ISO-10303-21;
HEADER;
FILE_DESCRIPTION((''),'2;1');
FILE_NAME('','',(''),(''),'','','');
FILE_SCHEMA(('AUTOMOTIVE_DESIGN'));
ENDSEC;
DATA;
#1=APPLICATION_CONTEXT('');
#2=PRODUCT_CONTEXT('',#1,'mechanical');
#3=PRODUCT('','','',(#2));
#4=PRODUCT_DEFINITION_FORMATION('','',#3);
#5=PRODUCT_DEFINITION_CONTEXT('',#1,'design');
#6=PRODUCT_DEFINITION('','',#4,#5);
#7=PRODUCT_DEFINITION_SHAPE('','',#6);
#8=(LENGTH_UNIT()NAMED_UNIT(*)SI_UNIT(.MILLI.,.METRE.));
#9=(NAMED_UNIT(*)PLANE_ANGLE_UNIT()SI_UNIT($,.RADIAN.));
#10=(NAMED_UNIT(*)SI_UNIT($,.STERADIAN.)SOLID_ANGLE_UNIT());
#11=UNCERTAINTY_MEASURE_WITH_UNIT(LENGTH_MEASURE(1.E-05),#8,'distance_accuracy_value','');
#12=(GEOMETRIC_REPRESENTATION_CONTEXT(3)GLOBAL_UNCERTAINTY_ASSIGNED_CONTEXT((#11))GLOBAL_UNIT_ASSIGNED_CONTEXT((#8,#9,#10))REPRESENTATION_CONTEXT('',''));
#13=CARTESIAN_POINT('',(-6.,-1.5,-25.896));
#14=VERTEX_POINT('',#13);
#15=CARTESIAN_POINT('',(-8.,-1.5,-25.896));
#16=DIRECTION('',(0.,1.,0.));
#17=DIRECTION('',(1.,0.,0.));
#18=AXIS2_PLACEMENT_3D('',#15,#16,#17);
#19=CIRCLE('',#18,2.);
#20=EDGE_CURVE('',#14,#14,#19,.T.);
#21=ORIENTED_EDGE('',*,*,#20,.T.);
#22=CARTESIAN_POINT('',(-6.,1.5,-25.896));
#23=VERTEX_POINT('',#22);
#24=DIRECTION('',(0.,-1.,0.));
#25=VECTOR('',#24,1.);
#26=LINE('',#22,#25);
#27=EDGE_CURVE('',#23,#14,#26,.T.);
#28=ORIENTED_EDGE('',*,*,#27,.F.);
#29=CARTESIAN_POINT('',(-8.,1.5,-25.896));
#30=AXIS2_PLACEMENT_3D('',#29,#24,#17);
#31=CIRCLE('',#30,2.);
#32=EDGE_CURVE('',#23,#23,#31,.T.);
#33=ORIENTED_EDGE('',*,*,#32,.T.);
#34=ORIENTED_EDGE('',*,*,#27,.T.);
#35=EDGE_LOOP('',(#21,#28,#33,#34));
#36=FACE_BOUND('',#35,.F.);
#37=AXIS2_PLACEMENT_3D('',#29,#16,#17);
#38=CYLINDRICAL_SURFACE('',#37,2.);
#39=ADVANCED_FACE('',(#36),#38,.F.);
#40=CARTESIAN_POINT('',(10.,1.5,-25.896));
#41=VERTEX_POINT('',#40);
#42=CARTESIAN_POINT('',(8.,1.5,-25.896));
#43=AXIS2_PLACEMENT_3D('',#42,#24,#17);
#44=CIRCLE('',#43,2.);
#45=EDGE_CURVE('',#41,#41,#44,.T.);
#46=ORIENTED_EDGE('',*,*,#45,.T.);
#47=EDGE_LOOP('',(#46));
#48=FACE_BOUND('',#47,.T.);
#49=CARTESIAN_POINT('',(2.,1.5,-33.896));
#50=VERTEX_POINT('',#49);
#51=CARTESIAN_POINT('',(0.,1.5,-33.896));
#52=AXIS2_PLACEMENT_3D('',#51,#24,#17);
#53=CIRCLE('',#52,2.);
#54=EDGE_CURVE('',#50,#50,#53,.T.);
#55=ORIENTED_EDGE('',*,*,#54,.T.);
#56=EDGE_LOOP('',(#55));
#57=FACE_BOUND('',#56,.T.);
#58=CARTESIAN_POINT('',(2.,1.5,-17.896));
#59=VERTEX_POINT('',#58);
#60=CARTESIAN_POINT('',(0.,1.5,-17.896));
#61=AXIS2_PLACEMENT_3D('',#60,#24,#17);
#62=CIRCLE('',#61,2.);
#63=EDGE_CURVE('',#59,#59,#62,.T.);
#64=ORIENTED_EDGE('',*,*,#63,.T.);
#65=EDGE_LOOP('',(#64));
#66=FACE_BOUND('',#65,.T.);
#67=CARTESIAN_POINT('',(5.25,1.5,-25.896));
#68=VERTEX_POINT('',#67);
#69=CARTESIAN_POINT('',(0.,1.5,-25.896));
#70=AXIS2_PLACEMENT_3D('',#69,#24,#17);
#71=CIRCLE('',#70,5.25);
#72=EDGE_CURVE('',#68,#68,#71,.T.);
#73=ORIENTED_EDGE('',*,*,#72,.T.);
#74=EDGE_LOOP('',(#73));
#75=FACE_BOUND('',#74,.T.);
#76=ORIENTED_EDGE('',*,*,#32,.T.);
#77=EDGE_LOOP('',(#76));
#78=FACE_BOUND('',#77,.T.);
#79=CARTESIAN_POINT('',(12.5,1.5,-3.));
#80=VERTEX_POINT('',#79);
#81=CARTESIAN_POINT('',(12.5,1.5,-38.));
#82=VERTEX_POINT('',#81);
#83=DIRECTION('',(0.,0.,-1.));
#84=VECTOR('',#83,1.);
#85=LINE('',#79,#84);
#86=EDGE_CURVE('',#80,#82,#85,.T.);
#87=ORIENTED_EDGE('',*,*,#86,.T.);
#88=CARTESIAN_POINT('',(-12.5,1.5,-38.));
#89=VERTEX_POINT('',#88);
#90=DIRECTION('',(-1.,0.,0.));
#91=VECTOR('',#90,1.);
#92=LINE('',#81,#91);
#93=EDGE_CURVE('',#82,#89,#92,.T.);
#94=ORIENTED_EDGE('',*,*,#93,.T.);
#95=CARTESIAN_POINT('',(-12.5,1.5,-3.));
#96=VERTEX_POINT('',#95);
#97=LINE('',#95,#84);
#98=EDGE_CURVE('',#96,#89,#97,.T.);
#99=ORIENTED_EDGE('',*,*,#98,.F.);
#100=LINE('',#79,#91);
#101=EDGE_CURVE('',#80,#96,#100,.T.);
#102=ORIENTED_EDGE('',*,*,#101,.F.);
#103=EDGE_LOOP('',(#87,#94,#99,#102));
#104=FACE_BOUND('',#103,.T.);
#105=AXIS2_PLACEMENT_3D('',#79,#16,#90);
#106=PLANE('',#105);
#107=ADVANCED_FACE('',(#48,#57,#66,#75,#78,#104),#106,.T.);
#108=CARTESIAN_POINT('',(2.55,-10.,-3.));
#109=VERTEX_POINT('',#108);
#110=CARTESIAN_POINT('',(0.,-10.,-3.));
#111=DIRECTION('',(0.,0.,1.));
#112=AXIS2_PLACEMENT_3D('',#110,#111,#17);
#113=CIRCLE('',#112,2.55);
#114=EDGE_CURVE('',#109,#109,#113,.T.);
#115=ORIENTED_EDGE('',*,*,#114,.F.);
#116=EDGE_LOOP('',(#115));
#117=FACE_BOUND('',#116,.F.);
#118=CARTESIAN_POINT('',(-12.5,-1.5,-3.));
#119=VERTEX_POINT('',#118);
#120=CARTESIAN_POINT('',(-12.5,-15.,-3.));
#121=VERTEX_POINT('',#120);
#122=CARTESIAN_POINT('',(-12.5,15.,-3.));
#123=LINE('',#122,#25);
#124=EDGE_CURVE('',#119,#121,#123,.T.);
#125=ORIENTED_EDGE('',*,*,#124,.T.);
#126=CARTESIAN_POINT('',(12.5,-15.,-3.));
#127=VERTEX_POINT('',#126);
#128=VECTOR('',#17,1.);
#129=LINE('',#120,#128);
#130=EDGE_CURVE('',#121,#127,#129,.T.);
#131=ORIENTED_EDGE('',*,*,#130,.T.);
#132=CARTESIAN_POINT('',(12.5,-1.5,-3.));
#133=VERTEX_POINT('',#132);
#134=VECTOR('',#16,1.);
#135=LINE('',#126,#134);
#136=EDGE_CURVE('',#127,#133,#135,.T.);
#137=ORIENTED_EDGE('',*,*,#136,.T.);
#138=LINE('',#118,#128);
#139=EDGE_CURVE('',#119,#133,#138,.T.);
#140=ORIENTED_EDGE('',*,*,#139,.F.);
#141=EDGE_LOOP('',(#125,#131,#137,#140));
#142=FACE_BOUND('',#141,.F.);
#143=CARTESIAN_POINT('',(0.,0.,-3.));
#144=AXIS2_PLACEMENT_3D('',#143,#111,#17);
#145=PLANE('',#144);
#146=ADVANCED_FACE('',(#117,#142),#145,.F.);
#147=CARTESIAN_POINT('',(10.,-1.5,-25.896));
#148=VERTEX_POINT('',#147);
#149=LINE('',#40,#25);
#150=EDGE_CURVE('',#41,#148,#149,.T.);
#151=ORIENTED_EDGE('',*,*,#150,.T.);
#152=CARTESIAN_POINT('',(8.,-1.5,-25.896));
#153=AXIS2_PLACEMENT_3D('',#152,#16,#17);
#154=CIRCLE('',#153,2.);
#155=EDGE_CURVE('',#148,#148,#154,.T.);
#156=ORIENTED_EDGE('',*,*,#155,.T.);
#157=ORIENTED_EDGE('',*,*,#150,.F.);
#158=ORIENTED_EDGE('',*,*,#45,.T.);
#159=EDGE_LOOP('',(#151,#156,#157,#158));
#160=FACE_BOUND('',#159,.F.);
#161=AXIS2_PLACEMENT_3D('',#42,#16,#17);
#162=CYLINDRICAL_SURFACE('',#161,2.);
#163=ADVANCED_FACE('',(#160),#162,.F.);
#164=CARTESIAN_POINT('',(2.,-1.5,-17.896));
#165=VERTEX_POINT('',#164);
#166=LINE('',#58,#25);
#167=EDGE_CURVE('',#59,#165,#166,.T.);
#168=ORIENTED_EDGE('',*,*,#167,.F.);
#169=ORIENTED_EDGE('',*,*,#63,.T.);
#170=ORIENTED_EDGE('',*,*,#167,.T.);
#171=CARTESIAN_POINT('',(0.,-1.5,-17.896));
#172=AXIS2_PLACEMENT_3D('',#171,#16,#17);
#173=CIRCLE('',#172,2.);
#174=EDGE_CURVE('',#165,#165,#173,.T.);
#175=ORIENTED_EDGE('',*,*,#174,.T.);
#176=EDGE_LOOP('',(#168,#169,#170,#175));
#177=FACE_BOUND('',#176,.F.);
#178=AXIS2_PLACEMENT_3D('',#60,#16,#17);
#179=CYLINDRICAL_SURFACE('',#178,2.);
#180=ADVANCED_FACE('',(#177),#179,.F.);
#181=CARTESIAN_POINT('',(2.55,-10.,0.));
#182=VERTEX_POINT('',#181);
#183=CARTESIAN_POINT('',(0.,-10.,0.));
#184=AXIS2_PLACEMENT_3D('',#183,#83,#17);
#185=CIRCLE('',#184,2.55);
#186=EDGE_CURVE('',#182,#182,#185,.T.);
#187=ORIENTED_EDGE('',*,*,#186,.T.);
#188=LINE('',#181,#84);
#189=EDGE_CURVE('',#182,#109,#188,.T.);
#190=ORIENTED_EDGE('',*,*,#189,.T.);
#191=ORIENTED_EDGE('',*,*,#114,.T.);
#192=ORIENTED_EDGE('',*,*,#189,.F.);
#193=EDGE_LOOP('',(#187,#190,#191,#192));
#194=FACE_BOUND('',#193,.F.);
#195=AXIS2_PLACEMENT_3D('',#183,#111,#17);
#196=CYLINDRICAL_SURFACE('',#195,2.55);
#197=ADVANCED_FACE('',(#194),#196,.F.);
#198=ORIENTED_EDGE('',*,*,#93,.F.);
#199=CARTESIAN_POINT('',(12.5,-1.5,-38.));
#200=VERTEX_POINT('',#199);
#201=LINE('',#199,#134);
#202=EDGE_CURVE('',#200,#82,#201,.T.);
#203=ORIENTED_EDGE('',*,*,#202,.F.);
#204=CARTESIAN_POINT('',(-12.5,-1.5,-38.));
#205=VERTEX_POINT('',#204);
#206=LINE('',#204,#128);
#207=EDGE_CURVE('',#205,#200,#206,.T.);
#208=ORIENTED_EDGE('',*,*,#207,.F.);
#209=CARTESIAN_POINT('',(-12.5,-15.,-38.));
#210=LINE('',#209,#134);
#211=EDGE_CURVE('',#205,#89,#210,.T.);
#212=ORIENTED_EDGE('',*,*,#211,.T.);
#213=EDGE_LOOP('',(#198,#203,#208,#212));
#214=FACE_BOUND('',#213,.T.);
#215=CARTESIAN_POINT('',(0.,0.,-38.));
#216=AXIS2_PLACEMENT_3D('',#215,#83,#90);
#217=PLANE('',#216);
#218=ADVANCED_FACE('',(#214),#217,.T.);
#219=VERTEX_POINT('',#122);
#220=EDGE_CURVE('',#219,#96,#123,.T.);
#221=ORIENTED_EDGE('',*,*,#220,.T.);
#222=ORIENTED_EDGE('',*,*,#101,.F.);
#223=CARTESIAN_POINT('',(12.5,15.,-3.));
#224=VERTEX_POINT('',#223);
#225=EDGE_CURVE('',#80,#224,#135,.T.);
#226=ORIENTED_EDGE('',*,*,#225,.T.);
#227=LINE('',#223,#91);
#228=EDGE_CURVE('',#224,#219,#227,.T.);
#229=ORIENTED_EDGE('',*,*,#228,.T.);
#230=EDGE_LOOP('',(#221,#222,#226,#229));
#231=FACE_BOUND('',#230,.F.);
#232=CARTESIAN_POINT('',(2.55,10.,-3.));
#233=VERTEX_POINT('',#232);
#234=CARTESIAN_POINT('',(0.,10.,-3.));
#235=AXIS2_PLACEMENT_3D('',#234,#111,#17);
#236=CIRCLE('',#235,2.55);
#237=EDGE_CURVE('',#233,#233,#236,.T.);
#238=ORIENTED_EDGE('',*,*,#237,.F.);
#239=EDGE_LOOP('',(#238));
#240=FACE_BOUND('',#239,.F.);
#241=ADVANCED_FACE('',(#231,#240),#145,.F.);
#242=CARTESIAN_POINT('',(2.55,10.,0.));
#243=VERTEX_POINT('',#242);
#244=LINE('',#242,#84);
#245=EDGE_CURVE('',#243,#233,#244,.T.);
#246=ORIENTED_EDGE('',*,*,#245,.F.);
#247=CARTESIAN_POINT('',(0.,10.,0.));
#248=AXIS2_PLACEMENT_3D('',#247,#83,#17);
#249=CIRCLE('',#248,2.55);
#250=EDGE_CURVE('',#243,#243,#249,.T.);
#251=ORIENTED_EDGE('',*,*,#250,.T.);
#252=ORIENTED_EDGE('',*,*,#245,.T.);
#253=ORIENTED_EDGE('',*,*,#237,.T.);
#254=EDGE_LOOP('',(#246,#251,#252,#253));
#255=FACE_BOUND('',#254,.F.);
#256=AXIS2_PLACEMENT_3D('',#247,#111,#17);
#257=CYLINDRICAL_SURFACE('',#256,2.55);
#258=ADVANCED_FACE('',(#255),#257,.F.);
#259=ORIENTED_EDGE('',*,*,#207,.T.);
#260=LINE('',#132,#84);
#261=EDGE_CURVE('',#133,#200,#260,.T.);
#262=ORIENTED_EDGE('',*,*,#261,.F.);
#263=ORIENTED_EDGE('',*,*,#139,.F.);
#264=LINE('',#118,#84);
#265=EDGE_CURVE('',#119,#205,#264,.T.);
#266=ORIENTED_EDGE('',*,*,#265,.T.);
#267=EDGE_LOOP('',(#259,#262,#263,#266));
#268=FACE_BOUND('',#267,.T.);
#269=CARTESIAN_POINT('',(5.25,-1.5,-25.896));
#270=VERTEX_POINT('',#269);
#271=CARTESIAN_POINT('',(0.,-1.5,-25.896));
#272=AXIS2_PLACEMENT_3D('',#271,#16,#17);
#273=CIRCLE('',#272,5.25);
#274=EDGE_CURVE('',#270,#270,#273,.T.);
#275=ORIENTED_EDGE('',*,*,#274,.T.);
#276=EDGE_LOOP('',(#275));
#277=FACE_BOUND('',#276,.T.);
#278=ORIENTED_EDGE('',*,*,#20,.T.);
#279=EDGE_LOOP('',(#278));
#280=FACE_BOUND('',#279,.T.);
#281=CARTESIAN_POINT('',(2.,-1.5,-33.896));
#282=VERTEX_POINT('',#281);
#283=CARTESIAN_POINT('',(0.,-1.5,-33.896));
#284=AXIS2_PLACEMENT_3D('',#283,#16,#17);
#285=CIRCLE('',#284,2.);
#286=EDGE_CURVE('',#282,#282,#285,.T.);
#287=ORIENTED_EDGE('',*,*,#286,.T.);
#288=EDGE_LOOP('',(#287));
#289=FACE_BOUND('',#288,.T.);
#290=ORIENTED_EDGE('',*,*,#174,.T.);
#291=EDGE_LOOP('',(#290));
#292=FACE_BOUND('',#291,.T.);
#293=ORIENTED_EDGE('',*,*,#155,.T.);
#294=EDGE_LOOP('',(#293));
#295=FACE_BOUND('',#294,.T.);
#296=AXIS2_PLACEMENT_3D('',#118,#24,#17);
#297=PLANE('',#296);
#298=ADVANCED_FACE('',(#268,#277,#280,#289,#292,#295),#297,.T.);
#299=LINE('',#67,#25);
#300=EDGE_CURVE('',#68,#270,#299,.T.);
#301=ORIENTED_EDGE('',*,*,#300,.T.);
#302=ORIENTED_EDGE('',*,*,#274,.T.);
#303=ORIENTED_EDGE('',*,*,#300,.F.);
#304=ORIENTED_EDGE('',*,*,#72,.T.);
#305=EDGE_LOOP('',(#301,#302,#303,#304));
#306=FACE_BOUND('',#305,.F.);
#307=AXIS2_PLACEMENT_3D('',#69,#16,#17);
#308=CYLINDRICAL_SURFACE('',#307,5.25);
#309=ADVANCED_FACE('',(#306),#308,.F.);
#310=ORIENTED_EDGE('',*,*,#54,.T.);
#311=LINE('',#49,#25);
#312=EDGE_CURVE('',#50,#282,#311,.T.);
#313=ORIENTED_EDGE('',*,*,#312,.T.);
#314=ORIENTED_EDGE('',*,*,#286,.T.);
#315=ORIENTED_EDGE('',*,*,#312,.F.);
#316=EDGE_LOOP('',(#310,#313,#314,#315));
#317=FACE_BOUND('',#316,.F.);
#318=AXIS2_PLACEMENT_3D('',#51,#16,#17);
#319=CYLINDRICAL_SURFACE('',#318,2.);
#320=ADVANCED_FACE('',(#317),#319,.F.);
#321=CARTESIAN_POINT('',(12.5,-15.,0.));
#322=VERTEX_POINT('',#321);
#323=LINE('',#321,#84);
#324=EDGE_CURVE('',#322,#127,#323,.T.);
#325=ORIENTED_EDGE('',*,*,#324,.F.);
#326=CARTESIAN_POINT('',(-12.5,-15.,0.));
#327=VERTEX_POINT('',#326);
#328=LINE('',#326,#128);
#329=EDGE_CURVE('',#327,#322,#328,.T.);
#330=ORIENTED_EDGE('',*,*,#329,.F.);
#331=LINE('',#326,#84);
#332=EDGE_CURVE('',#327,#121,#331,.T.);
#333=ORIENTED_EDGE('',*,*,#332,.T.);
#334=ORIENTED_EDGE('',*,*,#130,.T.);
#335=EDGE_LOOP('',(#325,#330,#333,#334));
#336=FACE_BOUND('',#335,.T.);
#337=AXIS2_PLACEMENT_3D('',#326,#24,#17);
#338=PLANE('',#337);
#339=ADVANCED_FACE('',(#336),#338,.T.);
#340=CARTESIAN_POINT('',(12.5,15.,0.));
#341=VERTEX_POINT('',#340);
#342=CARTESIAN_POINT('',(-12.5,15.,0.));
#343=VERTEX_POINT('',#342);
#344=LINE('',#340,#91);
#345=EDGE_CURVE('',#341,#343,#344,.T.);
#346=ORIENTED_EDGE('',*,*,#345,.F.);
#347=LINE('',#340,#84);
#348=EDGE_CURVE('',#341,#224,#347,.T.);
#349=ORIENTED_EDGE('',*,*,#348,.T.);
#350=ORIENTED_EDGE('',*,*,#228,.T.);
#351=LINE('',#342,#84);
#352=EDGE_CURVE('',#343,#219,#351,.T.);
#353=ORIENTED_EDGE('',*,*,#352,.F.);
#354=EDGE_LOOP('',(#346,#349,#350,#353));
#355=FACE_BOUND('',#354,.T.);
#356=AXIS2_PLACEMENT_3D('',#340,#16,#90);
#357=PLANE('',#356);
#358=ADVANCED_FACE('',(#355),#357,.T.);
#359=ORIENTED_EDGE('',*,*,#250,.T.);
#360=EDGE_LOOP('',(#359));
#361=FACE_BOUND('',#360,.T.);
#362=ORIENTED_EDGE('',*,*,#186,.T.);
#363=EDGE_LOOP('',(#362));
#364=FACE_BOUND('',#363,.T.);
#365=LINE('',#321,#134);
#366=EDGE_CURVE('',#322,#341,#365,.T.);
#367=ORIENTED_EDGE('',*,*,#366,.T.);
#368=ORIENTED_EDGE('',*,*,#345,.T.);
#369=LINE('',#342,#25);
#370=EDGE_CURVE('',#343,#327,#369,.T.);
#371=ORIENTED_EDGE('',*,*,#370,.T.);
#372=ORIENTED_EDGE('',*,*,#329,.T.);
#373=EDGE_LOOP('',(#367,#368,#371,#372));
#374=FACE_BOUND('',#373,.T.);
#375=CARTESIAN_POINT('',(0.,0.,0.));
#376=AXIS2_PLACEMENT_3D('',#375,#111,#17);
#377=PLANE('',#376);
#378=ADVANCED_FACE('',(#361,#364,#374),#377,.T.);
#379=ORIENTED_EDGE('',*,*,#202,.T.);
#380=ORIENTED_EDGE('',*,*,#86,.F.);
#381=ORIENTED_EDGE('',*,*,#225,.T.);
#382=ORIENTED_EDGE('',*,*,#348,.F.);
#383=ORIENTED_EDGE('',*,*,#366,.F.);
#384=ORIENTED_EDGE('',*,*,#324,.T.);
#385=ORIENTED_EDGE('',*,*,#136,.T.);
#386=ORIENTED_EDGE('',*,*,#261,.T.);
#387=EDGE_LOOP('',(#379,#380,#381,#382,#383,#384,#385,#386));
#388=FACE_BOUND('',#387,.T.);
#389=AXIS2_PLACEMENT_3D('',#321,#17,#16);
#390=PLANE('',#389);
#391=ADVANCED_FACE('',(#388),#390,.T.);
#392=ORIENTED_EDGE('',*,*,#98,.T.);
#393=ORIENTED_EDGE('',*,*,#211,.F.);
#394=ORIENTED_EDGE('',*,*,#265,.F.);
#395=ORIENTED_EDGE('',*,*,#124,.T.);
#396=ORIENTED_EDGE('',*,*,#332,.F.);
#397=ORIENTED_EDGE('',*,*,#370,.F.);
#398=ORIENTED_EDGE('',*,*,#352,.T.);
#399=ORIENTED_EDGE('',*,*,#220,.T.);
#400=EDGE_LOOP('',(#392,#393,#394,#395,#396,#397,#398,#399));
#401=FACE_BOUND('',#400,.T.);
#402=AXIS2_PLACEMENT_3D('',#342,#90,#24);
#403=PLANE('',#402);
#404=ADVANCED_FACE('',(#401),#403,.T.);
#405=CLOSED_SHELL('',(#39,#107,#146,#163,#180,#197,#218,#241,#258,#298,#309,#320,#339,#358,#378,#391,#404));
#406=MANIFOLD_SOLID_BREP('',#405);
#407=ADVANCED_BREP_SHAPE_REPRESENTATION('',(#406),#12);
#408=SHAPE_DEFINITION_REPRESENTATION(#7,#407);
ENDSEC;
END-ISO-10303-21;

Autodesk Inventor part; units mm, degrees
ref_plane "YZ Plane" through (0, 0, 0) normal (1, 0, 0) x (0, 1, 0)
ref_plane "XZ Plane" through (0, 0, 0) normal (0, 1, 0) x (-1, 0, 0)
ref_plane "XY Plane" through (0, 0, 0) normal (0, 0, 1) x (1, 0, 0)
sketch "Sketch1" plane through (0, 0, 0) normal (0, 0, 1) x (1, 0, 0)
  line L0 (12.5, 15) -> (-12.5, 15)
  line L1 (-12.5, 15) -> (-12.5, -15)
  line L2 (-12.5, -15) -> (12.5, -15)
  line L3 (12.5, -15) -> (12.5, 15)
  line L4 (12.5, 15) -> (-12.5, -15) construction
  line L5 (-12.5, 15) -> (12.5, -15) construction
  point P0 (0, 0)
  dimension "d0" = 25
  dimension "d1" = 30
extrude "Extrusion1" add sketch "Sketch1" against normal blind 3
sketch "Sketch2" plane through (0, 0, -3) normal (0, 0, -1) x (-1, 0, 0)
  line L0 (12.5, -15) -> (12.5, 15) projected
  line L1 (-12.5, 1.5) -> (12.5, 1.5)
  line L2 (12.5, 1.5) -> (12.5, -1.5)
  line L3 (12.5, -1.5) -> (-12.5, -1.5)
  line L4 (-12.5, -1.5) -> (-12.5, 1.5)
  line L5 (-12.5, 1.5) -> (12.5, -1.5) construction
  line L6 (12.5, 1.5) -> (-12.5, -1.5) construction
  point P0 (0, 0)
  dimension "d4" = 3
extrude "Extrusion2" add sketch "Sketch2" along normal blind 35
sketch "Sketch3" plane through (0, 0, 0) normal (0, 0, 1) x (1, 0, 0)
  line L0 (0, 10) -> (0, -10)
  circle A0 centre (0, 10) radius 2.55
  circle A1 centre (0, -10) radius 2.55
  point P0 (0, 0)
  dimension "d7" = 20
  dimension "d8" = 5.1
  dimension "d9" = 5.1
extrude "Extrusion3" cut sketch "Sketch3" against normal through all
sketch "Sketch4" plane through (-12.5, 1.5, -3) normal (0, 1, 0) x (1, 0, 0)
  line L0 (9.95, 0) -> (15.05, 0) projected
  line L1 (12.5, 0) -> (12.5, 22.896)
  circle A0 centre (12.5, 22.896) radius 5.25
  circle A1 centre (12.5, 22.896) radius 8
  circle A2 centre (12.5, 14.896) radius 2
  circle A3 centre (20.5, 22.896) radius 2
  circle A4 centre (12.5, 30.896) radius 2
  circle A5 centre (4.5, 22.896) radius 2
  point P0 (12.5, -3)
  dimension "d14" = 16
  dimension "d12" = 22.896
  dimension "d13" = 10.5
  dimension "d15" = 4
  dimension "d18" = 360
extrude "Extrusion4" cut sketch "Sketch4" against normal through all contours A2 A1 L1 | L1 A1 A2 | A1 A2 L1 | L1 A2 A1 | A0 | A5 A1 | A1 A5 | A3 A1 | A1 A3 | A4 A1 | A1 A4
properties part number "LeadCarriageConnector"
